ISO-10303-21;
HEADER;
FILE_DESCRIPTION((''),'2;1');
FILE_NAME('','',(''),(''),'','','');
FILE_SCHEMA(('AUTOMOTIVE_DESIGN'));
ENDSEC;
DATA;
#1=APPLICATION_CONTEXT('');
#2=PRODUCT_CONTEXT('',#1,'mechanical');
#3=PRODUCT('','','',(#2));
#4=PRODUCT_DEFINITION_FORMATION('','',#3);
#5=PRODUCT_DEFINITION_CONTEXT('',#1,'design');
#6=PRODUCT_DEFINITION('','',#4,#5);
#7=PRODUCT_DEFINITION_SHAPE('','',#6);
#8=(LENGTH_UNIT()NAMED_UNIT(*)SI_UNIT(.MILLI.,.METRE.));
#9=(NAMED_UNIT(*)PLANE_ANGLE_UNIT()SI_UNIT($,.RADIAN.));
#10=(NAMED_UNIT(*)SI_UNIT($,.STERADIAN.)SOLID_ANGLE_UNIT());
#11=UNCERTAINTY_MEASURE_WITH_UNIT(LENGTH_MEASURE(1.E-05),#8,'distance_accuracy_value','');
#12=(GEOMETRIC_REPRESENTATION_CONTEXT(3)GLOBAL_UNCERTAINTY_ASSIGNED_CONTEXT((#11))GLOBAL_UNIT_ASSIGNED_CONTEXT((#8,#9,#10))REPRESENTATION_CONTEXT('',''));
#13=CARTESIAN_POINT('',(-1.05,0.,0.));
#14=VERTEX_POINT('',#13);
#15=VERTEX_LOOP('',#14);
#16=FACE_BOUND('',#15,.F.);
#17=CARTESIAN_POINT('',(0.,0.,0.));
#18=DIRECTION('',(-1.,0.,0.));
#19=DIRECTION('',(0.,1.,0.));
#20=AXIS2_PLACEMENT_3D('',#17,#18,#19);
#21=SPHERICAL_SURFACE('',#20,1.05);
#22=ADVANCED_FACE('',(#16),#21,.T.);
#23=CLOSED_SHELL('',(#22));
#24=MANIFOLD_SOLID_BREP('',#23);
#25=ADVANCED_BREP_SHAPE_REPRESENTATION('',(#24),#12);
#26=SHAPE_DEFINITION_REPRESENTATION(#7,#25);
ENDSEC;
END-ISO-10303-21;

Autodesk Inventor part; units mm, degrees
sketch "Sketch_1" plane through (0, 0, 0) normal (0, 0, 1) x (1, 0, 0)
  line L0 (1.05, 0) -> (-1.05, 0)
  arc A0 (1.05, 0) -> (-1.05, 0) centre (0, 0) ccw
  line L1 (1.05, 0) -> (-1.05, 0)
revolve "Revolution1" add sketch "Sketch_1" angle 360 about axis through (1.05, 0, 0) along (1, 0, 0)
ref_plane "ip_st_1_XY" through (0, 0, 0) normal (-1, 0, 0) x (0, 0, -1)
ref_plane "ip_st_1_YZ" through (0, 0, 0) normal (0, 0, -1) x (0, -1, 0)
ref_plane "ip_st_1_ZX" through (0, 0, 0) normal (0, -1, 0) x (-1, 0, 0)
properties part number "F694ZZ Ball" material "ステンレス鋼 440C"
